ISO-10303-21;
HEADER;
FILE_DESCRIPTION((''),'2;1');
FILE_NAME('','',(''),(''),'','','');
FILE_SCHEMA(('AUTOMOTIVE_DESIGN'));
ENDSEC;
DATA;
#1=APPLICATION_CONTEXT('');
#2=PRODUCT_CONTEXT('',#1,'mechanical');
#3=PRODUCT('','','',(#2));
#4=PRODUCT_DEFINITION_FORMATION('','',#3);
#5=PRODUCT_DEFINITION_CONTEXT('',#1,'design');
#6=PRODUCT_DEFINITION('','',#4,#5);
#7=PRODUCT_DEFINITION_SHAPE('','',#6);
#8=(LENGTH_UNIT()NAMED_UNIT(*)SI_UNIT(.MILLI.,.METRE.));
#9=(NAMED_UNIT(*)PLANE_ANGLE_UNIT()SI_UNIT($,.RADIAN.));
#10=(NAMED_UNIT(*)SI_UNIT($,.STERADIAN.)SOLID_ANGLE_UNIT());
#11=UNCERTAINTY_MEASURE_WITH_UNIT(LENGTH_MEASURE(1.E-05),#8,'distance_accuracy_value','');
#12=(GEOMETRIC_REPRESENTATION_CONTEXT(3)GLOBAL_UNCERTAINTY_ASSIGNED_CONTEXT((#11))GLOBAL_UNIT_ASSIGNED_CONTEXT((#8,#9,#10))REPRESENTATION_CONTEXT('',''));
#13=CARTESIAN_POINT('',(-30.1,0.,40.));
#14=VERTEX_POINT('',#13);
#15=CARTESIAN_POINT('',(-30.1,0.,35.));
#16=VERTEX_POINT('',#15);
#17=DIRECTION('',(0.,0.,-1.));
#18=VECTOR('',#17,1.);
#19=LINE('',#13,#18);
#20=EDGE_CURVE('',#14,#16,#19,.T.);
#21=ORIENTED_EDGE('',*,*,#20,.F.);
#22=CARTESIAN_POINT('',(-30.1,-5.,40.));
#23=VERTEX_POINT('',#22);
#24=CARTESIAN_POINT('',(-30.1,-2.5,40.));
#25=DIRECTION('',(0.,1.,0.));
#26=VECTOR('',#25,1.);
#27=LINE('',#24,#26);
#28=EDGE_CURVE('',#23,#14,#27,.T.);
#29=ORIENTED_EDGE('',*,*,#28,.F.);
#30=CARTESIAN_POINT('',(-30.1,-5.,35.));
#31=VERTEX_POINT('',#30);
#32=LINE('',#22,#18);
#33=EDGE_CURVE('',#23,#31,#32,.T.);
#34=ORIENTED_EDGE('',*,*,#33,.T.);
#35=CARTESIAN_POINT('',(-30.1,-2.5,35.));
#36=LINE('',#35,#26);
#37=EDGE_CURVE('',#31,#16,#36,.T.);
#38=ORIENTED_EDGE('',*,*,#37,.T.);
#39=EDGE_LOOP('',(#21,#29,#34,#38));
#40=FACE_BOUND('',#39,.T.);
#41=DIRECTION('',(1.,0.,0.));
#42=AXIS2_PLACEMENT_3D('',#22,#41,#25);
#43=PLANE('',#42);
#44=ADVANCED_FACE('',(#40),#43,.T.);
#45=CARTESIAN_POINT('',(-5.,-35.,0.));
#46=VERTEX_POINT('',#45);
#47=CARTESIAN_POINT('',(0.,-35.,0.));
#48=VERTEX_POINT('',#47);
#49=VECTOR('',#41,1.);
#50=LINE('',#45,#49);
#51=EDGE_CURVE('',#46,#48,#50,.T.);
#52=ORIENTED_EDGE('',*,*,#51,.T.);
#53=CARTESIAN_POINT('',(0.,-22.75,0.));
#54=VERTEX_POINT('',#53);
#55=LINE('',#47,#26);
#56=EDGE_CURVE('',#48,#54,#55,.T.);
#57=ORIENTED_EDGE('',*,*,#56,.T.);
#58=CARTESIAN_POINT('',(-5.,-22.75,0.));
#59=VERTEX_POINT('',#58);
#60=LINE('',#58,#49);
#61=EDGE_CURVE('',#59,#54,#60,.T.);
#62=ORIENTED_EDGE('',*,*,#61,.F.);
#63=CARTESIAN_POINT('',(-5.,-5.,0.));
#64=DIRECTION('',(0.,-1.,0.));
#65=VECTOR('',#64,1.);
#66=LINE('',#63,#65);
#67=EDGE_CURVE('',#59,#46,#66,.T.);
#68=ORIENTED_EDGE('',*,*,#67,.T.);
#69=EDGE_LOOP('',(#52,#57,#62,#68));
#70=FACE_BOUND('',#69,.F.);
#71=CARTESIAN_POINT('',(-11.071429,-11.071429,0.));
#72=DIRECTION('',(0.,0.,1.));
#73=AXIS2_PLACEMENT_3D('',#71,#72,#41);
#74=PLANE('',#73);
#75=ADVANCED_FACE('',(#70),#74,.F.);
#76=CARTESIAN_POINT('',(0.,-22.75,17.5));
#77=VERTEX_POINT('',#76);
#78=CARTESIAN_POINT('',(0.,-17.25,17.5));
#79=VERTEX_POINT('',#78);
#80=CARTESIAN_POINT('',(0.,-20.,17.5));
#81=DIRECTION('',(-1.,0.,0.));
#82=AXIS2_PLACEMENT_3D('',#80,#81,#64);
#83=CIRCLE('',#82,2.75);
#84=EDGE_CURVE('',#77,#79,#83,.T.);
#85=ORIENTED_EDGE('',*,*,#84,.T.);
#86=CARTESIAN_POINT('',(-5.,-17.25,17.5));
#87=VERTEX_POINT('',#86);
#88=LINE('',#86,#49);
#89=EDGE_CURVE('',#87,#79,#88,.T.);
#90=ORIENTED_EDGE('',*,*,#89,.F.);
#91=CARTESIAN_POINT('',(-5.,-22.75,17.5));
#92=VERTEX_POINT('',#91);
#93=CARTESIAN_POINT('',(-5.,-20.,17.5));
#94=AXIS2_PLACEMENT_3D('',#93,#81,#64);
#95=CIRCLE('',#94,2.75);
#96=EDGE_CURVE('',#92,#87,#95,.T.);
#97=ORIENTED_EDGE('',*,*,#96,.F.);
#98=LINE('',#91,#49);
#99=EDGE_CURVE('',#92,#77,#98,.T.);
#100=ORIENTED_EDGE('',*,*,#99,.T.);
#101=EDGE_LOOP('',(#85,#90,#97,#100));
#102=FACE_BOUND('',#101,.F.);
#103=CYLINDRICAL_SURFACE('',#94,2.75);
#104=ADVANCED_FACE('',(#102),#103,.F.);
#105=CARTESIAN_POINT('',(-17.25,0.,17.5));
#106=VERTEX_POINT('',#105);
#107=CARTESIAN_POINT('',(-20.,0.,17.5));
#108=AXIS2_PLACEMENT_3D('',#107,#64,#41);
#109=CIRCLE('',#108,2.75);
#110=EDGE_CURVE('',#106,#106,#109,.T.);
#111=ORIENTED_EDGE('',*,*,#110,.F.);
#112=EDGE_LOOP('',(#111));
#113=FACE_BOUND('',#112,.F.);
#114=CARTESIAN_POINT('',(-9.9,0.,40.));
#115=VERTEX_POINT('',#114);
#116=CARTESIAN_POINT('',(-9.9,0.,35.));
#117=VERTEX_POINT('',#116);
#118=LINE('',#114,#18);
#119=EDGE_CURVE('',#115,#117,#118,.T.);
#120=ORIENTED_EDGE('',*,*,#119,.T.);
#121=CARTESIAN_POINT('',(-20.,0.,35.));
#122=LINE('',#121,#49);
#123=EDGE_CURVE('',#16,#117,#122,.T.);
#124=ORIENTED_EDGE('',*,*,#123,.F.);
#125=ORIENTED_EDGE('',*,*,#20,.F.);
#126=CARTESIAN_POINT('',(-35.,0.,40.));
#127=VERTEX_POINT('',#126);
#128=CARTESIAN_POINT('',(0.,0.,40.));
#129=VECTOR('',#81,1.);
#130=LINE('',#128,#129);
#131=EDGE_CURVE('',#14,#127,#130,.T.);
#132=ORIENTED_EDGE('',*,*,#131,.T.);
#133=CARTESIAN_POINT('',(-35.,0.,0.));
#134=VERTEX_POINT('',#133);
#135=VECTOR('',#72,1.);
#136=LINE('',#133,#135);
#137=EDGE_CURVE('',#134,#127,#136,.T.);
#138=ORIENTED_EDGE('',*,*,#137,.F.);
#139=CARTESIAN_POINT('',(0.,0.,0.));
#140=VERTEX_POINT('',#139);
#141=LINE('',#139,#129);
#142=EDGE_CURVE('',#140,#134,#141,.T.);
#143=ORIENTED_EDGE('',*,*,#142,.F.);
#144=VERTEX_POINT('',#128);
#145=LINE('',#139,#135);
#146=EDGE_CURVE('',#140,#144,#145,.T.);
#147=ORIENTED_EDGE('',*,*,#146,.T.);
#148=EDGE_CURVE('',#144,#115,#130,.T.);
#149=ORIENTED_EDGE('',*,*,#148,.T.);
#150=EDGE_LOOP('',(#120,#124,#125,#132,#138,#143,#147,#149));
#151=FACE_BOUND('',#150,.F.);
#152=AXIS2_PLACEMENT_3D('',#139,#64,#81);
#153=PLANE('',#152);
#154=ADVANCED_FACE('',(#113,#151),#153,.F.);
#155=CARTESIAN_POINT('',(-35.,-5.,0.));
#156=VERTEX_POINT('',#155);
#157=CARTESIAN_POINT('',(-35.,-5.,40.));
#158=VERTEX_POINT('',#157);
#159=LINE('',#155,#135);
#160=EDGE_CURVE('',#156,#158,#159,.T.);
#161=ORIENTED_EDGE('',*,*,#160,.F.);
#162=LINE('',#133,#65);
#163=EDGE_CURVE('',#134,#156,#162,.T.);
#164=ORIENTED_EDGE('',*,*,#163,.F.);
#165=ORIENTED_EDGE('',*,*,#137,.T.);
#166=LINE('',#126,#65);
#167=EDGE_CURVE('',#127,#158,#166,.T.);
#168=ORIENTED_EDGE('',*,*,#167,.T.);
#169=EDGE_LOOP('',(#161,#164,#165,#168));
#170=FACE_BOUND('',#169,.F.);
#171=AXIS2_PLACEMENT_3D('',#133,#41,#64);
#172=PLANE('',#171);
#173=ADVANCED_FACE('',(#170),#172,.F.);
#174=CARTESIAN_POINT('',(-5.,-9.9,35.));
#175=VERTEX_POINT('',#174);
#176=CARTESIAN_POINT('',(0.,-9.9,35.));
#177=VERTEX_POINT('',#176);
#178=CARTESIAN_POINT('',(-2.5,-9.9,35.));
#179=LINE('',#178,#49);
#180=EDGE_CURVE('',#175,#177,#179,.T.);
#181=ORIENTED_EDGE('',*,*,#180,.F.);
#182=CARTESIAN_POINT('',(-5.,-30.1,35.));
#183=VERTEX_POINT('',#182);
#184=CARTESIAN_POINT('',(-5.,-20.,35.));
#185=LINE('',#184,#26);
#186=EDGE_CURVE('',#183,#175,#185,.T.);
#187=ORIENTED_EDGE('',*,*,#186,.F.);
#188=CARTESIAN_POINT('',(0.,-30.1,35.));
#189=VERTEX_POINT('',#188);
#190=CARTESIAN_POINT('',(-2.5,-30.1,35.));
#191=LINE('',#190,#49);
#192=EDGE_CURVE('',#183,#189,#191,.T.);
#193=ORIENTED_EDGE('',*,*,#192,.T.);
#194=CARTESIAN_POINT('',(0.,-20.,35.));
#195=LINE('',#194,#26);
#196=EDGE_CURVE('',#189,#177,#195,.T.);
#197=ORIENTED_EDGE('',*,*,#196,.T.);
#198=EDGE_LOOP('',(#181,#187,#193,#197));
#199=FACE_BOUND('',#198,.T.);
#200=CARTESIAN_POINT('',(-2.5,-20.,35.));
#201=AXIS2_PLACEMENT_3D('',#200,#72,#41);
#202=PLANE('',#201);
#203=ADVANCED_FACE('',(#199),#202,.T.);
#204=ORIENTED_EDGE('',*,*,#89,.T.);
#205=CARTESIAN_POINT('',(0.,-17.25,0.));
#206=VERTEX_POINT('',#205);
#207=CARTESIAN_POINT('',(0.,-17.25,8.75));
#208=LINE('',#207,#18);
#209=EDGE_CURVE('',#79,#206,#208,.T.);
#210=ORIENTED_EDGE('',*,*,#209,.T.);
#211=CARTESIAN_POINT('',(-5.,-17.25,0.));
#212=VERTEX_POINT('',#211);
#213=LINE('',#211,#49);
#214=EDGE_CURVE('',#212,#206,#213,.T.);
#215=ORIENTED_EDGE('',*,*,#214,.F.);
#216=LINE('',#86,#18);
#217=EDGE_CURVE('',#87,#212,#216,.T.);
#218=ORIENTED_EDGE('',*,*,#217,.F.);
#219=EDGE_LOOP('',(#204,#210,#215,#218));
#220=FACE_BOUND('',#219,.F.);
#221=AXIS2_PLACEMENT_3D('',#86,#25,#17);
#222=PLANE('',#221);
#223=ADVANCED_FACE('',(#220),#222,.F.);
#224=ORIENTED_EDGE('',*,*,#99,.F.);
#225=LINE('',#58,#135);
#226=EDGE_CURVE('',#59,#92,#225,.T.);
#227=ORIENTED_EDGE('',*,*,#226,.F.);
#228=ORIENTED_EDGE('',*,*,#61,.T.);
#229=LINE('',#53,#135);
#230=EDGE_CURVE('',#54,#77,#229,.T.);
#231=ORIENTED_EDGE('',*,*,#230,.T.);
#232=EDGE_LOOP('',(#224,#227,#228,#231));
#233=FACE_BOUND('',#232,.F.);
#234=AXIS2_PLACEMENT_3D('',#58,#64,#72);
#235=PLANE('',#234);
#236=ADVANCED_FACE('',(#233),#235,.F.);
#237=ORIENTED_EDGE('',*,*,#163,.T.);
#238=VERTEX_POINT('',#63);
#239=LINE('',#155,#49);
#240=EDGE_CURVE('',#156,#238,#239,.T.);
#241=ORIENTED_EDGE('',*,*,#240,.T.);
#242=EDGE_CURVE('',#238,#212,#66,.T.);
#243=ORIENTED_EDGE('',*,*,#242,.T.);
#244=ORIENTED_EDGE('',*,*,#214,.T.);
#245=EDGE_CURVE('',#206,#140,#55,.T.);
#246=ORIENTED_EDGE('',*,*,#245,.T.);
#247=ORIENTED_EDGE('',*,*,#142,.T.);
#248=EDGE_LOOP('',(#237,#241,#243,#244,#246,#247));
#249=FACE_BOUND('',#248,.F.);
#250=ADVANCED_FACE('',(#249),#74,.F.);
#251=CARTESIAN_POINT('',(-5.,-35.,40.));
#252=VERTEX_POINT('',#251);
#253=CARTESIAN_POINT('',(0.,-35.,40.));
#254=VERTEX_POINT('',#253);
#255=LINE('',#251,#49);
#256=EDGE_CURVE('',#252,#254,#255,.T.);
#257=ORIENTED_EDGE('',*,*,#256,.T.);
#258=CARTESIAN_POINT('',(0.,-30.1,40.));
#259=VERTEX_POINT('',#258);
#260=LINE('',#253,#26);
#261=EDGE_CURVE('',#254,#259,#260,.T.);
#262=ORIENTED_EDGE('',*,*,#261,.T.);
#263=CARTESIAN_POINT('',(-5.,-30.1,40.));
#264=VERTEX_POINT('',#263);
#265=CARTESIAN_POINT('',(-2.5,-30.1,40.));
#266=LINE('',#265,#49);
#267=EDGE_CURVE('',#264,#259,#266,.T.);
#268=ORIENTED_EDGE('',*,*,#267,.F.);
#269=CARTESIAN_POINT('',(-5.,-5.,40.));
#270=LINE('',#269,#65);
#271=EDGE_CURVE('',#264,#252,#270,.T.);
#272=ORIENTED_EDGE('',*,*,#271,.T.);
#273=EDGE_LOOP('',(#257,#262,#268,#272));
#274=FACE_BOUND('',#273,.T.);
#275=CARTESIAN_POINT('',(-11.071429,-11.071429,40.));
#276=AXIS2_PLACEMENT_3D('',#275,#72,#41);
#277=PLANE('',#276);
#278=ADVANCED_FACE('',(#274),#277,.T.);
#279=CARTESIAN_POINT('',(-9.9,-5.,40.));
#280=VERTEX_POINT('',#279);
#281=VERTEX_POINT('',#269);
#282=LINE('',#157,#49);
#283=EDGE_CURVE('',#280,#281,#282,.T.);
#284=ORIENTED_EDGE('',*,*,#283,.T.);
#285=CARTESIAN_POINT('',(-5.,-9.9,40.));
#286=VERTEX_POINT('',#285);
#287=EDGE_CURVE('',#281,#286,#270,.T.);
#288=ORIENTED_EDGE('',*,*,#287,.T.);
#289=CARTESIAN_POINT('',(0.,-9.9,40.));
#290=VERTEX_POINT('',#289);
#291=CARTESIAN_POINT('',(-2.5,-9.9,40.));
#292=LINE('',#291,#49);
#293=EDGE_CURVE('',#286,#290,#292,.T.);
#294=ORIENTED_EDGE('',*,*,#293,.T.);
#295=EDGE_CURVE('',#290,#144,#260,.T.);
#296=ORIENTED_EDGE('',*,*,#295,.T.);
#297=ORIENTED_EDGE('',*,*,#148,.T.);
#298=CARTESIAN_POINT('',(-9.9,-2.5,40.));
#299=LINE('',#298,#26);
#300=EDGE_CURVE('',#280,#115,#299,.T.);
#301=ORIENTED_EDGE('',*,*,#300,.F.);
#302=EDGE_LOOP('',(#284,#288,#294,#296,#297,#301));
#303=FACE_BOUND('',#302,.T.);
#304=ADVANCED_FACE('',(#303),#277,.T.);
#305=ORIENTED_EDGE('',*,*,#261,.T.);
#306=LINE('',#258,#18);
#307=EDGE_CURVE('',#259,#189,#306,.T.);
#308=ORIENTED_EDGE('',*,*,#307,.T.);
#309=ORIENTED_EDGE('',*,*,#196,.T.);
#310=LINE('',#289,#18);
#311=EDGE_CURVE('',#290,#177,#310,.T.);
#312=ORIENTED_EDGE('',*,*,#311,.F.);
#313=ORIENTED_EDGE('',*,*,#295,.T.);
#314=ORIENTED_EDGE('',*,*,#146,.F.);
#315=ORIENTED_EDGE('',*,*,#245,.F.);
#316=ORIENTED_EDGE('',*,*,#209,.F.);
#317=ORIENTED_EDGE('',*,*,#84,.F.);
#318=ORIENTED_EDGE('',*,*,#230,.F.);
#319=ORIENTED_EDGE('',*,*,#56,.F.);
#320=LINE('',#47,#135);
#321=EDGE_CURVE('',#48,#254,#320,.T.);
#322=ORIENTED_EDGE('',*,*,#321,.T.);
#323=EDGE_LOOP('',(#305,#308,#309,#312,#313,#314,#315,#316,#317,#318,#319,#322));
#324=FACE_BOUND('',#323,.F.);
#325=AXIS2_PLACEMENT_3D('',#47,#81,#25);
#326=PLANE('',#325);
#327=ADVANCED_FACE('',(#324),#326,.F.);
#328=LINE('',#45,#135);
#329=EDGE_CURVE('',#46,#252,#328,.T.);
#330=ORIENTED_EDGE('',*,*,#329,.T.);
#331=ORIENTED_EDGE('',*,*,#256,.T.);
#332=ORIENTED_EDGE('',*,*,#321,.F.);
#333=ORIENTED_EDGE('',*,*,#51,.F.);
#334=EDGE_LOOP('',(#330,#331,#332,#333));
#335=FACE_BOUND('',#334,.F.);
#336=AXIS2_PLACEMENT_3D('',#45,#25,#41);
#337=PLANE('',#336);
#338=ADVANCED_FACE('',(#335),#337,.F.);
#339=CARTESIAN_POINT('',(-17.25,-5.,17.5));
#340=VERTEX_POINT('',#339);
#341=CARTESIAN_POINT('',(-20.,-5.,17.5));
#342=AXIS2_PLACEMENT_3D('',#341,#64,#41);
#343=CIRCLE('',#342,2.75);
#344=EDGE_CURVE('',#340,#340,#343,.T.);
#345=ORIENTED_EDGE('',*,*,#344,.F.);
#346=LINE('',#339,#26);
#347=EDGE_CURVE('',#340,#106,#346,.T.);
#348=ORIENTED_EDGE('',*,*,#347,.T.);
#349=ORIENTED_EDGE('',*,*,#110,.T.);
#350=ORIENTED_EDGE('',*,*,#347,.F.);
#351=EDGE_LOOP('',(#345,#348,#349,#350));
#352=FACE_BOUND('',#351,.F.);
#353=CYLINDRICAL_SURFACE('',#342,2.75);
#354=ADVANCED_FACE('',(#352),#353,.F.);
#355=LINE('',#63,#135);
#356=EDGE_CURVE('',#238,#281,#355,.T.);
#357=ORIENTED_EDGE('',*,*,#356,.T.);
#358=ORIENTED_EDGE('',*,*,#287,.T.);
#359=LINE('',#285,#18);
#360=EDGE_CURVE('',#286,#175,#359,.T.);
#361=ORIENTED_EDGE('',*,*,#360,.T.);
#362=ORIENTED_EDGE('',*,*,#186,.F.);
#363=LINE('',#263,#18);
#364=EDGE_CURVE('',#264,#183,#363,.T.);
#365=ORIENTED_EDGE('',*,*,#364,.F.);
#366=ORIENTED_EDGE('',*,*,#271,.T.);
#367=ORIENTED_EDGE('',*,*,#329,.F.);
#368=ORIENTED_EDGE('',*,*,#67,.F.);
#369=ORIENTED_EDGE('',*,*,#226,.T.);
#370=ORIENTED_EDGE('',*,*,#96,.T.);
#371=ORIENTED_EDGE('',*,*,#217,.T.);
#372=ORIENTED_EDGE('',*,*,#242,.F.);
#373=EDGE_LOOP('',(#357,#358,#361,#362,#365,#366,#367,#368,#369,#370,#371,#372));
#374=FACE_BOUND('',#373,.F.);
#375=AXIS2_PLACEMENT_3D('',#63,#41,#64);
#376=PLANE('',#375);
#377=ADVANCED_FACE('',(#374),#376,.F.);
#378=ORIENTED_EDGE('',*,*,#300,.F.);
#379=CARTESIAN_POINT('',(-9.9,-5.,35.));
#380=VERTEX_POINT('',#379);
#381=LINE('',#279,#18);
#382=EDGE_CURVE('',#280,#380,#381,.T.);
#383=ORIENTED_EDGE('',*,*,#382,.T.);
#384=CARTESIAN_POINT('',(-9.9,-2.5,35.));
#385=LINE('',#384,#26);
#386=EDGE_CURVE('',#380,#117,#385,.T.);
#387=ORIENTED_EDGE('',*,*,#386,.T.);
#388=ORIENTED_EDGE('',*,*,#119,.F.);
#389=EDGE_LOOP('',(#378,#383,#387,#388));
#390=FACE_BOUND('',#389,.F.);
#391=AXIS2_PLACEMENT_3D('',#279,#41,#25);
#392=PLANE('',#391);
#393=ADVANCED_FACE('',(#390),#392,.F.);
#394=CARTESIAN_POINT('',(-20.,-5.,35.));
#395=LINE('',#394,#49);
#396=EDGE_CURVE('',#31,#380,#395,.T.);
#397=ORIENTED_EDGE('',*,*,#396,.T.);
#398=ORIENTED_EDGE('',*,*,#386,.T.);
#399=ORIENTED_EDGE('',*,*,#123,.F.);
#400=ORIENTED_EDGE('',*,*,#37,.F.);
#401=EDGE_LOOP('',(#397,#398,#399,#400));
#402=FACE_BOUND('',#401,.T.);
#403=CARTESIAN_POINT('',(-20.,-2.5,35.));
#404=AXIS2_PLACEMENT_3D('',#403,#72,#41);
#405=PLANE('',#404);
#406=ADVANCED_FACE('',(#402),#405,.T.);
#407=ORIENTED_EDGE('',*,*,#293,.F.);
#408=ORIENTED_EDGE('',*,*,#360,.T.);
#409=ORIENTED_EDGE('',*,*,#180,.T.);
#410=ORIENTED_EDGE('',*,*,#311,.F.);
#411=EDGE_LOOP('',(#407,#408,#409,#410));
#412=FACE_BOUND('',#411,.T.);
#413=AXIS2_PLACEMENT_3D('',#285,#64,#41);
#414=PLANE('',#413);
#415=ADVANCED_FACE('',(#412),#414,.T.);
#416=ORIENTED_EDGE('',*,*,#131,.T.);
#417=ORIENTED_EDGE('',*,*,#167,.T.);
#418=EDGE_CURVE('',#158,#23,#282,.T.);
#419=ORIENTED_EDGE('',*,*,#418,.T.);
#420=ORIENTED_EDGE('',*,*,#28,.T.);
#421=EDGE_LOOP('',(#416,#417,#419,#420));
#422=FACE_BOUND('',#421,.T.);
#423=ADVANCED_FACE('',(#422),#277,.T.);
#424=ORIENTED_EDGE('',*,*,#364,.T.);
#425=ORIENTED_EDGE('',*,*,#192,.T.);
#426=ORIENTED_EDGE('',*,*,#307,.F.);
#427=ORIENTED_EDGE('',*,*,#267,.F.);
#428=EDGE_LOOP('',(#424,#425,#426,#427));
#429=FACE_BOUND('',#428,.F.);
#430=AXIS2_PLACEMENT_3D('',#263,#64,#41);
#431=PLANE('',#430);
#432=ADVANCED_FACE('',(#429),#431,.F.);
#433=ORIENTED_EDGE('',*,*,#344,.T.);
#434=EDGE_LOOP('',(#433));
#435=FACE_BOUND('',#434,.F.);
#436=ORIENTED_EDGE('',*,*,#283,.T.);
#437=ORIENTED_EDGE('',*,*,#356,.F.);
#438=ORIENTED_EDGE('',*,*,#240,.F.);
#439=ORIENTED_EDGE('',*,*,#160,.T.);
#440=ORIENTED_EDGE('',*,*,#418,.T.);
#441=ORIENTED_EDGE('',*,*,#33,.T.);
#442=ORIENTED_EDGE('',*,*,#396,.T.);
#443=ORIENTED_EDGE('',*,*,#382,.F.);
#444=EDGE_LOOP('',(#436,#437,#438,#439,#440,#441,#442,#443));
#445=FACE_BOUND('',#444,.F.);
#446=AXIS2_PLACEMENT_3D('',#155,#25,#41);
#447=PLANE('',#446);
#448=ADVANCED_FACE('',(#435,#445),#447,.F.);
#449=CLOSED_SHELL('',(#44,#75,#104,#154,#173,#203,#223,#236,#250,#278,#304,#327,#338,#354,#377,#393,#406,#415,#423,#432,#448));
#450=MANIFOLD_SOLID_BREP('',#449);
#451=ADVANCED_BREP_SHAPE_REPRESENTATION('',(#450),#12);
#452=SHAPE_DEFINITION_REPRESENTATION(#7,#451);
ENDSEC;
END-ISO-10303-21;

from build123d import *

# Parameters (mm, degrees)
PAD_DEPTH       = 40
SKETCH001_W     = 20.2
SKETCH001_H     = 5
SKETCH001_W_2   = 5
SKETCH001_H_2   = 20.2
POCKET_DEPTH    = 5
SKETCH002_R     = 2.75
POCKET001_DEPTH = 5.001
POCKET002_DEPTH = 5.001


with BuildPart() as part:
    # Sketch → Pad (new body)
    with BuildSketch(Plane.XY):
        Polygon((0, 0), (-35, 0), (-35, -5), (-5, -5), (-5, -35), (0, -35), align=None)
    extrude(amount=PAD_DEPTH)

    # Sketch001 (on Face8 of Pad) → Pocket (cut)
    with BuildSketch(Plane.XY.offset(40)):
        with Locations((-20, -2.5)):
            Rectangle(SKETCH001_W, SKETCH001_H)
        with Locations((-2.5, -20)):
            Rectangle(SKETCH001_W_2, SKETCH001_H_2)
    extrude(amount=-POCKET_DEPTH, mode=Mode.SUBTRACT)

    # Sketch002 (on Face10 of Pocket) → Pocket001 (cut, through all)
    with BuildSketch(Plane.XZ.offset(5)):
        with Locations((-20, 17.5)):
            Circle(SKETCH002_R)
    extrude(amount=-POCKET001_DEPTH, mode=Mode.SUBTRACT)

    # Sketch003 (on Face12 of Pocket001) → Pocket002 (cut, through all)
    with BuildSketch(Plane(origin=(-5, 0, 0), x_dir=(0, -1, 0), z_dir=(-1, 0, 0))):
        with BuildLine():
            Line((17.25, 0), (22.75, 0))
            Line((22.75, 0), (22.75, 17.5))
            ThreePointArc((22.75, 17.5), (20, 20.25), (17.25, 17.5))
            Line((17.25, 17.5), (17.25, 0))
        make_face()
    extrude(amount=-POCKET002_DEPTH, mode=Mode.SUBTRACT)


solid = part.part
